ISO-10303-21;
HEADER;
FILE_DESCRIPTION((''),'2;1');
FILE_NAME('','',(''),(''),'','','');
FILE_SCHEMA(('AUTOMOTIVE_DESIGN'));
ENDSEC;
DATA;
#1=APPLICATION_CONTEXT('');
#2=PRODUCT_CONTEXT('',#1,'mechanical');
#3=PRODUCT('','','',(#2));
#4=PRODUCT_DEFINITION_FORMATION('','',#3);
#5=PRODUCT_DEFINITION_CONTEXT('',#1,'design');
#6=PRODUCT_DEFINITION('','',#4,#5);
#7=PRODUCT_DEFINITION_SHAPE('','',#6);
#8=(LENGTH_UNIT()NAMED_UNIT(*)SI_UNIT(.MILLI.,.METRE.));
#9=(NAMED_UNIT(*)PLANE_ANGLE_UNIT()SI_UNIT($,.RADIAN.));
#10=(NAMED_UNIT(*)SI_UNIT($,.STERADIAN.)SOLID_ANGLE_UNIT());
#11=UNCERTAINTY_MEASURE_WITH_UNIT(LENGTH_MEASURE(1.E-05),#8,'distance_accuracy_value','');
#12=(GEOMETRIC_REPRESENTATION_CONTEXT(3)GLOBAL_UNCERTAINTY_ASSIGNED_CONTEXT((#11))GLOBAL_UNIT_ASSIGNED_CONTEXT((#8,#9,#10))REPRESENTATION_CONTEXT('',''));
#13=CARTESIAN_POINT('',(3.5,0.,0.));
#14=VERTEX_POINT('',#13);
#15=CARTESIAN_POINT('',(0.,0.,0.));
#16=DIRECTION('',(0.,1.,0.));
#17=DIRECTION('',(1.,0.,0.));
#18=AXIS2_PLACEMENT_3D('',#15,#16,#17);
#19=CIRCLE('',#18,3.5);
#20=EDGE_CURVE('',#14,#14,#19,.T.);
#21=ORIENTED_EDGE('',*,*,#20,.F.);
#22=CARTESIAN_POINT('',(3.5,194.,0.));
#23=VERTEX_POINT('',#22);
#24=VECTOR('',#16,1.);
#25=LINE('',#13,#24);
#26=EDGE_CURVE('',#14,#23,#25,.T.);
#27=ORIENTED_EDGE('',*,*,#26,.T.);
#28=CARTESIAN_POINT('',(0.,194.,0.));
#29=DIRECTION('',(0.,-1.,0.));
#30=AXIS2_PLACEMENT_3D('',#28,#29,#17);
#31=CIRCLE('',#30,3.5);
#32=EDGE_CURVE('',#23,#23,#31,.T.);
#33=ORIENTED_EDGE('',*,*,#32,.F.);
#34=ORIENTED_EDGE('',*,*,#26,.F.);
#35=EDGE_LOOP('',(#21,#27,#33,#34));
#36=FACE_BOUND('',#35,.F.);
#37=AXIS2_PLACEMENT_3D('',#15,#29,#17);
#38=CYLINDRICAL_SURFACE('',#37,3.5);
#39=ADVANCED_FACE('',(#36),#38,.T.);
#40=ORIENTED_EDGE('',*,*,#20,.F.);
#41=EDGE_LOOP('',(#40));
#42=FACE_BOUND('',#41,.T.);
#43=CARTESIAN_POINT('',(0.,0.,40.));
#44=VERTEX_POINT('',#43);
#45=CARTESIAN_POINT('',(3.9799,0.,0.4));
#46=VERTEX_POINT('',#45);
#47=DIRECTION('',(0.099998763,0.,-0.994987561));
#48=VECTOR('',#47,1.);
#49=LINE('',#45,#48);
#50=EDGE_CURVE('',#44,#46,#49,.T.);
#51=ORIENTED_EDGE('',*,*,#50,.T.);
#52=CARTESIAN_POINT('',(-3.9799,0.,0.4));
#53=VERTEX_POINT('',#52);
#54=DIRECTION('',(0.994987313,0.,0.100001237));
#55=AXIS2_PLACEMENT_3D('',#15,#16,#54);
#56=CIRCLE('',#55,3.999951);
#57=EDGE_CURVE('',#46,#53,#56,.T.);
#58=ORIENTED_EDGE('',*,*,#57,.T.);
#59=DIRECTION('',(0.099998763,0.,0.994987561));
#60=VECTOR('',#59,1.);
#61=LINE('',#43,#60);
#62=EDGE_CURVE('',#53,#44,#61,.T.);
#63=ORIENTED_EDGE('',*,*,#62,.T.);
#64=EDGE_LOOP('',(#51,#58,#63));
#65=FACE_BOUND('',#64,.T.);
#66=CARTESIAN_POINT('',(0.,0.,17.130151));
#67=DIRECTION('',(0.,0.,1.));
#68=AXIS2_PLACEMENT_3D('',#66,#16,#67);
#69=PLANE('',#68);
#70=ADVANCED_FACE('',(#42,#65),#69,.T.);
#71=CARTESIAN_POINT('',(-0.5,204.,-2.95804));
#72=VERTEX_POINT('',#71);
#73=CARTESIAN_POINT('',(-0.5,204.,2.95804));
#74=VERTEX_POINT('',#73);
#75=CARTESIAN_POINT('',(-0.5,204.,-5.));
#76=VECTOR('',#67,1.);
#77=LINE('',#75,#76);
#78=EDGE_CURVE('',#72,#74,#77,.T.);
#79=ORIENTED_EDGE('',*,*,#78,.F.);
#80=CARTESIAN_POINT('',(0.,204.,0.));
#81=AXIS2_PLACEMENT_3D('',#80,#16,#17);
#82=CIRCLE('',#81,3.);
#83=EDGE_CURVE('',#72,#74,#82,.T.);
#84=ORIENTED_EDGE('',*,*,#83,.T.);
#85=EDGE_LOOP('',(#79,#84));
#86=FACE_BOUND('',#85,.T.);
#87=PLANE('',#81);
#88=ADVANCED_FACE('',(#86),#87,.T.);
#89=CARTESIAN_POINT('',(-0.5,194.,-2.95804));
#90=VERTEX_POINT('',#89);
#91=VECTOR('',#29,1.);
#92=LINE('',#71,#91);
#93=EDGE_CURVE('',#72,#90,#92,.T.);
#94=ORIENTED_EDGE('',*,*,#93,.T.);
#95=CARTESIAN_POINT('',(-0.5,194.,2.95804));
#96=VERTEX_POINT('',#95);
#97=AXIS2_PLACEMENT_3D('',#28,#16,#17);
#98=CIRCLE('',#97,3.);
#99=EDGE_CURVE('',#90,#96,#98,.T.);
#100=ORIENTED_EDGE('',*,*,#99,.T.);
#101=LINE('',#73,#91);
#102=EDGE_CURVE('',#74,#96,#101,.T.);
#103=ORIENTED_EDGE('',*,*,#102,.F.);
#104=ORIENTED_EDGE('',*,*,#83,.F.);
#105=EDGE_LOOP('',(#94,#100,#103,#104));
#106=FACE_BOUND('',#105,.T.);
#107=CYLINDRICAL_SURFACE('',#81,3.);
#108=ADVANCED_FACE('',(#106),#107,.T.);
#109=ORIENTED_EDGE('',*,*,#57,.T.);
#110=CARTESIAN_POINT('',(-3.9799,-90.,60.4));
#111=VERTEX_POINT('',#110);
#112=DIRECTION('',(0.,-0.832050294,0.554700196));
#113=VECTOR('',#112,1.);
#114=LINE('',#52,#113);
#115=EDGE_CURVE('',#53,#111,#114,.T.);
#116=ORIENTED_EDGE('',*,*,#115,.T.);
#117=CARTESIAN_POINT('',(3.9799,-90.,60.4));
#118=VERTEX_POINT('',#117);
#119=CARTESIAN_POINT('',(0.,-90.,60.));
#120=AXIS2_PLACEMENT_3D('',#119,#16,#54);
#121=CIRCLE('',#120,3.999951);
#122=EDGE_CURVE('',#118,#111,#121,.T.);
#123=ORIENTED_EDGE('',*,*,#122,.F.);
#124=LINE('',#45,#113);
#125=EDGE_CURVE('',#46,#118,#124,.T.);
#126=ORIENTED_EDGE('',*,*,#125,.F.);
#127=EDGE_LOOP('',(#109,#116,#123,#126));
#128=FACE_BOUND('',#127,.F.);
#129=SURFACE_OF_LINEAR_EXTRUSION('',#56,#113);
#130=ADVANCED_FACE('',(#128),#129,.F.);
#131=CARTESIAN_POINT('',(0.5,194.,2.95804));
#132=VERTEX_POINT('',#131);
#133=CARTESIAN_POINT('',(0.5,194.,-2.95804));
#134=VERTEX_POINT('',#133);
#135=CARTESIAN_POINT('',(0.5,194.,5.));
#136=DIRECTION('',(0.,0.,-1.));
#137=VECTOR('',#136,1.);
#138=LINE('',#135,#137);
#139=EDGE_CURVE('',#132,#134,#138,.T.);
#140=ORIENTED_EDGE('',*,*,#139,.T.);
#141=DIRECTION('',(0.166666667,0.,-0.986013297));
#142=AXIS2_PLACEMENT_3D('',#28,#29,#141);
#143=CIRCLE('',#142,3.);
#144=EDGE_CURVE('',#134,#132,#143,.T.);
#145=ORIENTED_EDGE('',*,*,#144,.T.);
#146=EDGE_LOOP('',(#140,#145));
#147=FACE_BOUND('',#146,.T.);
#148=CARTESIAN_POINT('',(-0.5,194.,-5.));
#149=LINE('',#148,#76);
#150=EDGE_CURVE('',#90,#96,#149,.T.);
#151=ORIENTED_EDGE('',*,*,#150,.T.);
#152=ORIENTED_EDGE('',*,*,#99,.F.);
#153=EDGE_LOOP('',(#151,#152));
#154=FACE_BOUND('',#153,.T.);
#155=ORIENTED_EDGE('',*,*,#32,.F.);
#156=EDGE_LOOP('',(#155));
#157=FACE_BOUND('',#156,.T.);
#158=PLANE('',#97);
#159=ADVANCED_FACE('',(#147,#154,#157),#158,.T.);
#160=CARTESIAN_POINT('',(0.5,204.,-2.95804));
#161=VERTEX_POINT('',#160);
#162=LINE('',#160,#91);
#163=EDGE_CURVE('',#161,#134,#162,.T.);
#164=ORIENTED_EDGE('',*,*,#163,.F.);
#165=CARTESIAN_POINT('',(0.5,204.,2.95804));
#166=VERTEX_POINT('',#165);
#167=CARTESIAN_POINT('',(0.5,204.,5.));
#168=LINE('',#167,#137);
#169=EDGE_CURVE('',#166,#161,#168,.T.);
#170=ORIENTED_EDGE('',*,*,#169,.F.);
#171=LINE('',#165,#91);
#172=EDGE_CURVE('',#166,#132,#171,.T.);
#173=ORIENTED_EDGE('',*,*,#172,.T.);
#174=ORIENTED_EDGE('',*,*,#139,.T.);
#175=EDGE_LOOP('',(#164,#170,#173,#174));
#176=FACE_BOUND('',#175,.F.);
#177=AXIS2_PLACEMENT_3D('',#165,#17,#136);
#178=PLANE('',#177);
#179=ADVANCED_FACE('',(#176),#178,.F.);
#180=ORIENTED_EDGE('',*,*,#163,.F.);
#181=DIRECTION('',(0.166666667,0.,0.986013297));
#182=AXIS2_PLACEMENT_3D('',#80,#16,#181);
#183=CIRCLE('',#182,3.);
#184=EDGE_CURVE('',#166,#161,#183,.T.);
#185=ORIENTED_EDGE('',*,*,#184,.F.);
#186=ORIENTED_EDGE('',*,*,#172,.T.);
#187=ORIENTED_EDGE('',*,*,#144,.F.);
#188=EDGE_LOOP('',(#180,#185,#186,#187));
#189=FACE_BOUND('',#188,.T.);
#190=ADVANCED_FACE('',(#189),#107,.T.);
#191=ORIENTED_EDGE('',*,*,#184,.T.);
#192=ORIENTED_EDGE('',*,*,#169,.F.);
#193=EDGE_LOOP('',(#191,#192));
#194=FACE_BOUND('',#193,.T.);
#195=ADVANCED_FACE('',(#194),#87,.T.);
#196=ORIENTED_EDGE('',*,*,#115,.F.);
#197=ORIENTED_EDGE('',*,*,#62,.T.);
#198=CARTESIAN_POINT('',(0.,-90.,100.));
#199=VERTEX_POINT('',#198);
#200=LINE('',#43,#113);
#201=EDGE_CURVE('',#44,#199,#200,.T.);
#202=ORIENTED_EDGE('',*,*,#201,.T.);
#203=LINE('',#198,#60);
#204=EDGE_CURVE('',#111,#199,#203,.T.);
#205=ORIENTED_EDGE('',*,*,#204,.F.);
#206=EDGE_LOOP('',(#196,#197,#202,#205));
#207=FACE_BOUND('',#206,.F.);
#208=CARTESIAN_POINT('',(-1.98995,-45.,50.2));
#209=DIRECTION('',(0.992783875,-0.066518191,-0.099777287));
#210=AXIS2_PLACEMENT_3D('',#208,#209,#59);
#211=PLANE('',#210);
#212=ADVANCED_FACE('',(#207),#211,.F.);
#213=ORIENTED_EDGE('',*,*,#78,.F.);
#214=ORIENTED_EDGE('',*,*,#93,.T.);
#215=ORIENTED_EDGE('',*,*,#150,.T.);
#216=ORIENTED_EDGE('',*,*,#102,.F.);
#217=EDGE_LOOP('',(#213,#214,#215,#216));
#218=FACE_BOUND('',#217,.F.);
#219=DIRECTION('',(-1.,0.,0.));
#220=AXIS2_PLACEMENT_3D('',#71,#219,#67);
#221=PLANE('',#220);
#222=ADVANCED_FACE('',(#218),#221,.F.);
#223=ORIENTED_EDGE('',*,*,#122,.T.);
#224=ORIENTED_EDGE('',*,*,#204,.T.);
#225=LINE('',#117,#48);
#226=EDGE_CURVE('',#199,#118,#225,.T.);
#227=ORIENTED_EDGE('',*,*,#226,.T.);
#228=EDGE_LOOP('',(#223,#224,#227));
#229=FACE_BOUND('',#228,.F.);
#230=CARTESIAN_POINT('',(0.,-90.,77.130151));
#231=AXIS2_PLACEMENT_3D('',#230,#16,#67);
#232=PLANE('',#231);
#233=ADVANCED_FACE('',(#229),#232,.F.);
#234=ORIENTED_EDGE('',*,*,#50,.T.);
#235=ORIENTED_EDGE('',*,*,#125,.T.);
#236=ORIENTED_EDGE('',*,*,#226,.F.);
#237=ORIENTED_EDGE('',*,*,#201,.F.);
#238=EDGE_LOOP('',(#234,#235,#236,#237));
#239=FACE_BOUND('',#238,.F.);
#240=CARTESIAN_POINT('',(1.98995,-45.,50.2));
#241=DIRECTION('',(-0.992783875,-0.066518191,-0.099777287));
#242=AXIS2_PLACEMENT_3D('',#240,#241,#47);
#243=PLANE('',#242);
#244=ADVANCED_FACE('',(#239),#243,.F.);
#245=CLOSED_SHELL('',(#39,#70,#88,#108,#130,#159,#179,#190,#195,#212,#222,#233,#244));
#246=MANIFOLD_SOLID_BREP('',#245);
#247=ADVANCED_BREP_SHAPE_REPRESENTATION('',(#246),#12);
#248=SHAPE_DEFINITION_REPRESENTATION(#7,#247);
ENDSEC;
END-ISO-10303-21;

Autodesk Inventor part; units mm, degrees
ref_plane "YZ Plane" through (0, 0, 0) normal (1, 0, 0) x (0, 1, 0)
ref_plane "XZ Plane" through (0, 0, 0) normal (0, 1, 0) x (-1, 0, 0)
ref_plane "XY Plane" through (0, 0, 0) normal (0, 0, 1) x (1, 0, 0)
sketch "Sketch1" plane through (0, 0, 0) normal (0, 1, 0) x (-1, 0, 0)
  arc A0 (-3.9799, 0.4) -> (3.9799, 0.4) centre (0, 0) ccw
  line L0 (-3.9799, 0.4) -> (0, 40)
  line L1 (0, 40) -> (3.9799, 0.4)
  dimension "d0" = 4
  dimension "d1" = 40
sketch "Sketch2" plane through (0, 0, 0) normal (1, 0, 0) x (0, 1, 0)
  line L0 (0, 0) -> (-90, 60)
  dimension "d2" = 90
  dimension "d3" = 60
sweep "Sweep1" add profiles "Sketch1" path "Sketch2"
sketch "Sketch3" plane through (0, 0, 0) normal (0, 1, 0) x (1, 0, 0)
  circle A0 centre (0, 0) radius 3.5
  dimension "d6" = 7
extrude "Extrusion1" add sketch "Sketch3" along normal blind 204
sketch "Sketch4" plane through (0, 204, 0) normal (0, 1, 0) x (1, 0, 0)
  circle A0 centre (0, 0) radius 3
  circle A1 centre (0, 0) radius 5
  line L0 (-0.5, -5) -> (0.5, -5)
  line L1 (0.5, -5) -> (0.5, 5)
  line L2 (0.5, 5) -> (-0.5, 5)
  line L3 (-0.5, 5) -> (-0.5, -5)
  line L4 (-0.5, -5) -> (0.5, 5) construction
  line L5 (0.5, -5) -> (-0.5, 5) construction
  point P0 (-0.5, -2.958)
  point P1 (-0.5, 2.958)
  point P2 (0.5, 2.958)
  point P3 (0.5, -2.958)
  dimension "d9" = 6
  dimension "d10" = 10
  dimension "d11" = 1
  dimension "d12" = 10
extrude "Extrusion2" cut sketch "Sketch4" against normal blind 10 contours A0 L1 A1 | L1 A0 L3 | A0 L3 A1 L1 | L1 A1 L3 A0 | A0 L3 A1
thread "Thread1"
properties part number "rudder_pair_queens"
